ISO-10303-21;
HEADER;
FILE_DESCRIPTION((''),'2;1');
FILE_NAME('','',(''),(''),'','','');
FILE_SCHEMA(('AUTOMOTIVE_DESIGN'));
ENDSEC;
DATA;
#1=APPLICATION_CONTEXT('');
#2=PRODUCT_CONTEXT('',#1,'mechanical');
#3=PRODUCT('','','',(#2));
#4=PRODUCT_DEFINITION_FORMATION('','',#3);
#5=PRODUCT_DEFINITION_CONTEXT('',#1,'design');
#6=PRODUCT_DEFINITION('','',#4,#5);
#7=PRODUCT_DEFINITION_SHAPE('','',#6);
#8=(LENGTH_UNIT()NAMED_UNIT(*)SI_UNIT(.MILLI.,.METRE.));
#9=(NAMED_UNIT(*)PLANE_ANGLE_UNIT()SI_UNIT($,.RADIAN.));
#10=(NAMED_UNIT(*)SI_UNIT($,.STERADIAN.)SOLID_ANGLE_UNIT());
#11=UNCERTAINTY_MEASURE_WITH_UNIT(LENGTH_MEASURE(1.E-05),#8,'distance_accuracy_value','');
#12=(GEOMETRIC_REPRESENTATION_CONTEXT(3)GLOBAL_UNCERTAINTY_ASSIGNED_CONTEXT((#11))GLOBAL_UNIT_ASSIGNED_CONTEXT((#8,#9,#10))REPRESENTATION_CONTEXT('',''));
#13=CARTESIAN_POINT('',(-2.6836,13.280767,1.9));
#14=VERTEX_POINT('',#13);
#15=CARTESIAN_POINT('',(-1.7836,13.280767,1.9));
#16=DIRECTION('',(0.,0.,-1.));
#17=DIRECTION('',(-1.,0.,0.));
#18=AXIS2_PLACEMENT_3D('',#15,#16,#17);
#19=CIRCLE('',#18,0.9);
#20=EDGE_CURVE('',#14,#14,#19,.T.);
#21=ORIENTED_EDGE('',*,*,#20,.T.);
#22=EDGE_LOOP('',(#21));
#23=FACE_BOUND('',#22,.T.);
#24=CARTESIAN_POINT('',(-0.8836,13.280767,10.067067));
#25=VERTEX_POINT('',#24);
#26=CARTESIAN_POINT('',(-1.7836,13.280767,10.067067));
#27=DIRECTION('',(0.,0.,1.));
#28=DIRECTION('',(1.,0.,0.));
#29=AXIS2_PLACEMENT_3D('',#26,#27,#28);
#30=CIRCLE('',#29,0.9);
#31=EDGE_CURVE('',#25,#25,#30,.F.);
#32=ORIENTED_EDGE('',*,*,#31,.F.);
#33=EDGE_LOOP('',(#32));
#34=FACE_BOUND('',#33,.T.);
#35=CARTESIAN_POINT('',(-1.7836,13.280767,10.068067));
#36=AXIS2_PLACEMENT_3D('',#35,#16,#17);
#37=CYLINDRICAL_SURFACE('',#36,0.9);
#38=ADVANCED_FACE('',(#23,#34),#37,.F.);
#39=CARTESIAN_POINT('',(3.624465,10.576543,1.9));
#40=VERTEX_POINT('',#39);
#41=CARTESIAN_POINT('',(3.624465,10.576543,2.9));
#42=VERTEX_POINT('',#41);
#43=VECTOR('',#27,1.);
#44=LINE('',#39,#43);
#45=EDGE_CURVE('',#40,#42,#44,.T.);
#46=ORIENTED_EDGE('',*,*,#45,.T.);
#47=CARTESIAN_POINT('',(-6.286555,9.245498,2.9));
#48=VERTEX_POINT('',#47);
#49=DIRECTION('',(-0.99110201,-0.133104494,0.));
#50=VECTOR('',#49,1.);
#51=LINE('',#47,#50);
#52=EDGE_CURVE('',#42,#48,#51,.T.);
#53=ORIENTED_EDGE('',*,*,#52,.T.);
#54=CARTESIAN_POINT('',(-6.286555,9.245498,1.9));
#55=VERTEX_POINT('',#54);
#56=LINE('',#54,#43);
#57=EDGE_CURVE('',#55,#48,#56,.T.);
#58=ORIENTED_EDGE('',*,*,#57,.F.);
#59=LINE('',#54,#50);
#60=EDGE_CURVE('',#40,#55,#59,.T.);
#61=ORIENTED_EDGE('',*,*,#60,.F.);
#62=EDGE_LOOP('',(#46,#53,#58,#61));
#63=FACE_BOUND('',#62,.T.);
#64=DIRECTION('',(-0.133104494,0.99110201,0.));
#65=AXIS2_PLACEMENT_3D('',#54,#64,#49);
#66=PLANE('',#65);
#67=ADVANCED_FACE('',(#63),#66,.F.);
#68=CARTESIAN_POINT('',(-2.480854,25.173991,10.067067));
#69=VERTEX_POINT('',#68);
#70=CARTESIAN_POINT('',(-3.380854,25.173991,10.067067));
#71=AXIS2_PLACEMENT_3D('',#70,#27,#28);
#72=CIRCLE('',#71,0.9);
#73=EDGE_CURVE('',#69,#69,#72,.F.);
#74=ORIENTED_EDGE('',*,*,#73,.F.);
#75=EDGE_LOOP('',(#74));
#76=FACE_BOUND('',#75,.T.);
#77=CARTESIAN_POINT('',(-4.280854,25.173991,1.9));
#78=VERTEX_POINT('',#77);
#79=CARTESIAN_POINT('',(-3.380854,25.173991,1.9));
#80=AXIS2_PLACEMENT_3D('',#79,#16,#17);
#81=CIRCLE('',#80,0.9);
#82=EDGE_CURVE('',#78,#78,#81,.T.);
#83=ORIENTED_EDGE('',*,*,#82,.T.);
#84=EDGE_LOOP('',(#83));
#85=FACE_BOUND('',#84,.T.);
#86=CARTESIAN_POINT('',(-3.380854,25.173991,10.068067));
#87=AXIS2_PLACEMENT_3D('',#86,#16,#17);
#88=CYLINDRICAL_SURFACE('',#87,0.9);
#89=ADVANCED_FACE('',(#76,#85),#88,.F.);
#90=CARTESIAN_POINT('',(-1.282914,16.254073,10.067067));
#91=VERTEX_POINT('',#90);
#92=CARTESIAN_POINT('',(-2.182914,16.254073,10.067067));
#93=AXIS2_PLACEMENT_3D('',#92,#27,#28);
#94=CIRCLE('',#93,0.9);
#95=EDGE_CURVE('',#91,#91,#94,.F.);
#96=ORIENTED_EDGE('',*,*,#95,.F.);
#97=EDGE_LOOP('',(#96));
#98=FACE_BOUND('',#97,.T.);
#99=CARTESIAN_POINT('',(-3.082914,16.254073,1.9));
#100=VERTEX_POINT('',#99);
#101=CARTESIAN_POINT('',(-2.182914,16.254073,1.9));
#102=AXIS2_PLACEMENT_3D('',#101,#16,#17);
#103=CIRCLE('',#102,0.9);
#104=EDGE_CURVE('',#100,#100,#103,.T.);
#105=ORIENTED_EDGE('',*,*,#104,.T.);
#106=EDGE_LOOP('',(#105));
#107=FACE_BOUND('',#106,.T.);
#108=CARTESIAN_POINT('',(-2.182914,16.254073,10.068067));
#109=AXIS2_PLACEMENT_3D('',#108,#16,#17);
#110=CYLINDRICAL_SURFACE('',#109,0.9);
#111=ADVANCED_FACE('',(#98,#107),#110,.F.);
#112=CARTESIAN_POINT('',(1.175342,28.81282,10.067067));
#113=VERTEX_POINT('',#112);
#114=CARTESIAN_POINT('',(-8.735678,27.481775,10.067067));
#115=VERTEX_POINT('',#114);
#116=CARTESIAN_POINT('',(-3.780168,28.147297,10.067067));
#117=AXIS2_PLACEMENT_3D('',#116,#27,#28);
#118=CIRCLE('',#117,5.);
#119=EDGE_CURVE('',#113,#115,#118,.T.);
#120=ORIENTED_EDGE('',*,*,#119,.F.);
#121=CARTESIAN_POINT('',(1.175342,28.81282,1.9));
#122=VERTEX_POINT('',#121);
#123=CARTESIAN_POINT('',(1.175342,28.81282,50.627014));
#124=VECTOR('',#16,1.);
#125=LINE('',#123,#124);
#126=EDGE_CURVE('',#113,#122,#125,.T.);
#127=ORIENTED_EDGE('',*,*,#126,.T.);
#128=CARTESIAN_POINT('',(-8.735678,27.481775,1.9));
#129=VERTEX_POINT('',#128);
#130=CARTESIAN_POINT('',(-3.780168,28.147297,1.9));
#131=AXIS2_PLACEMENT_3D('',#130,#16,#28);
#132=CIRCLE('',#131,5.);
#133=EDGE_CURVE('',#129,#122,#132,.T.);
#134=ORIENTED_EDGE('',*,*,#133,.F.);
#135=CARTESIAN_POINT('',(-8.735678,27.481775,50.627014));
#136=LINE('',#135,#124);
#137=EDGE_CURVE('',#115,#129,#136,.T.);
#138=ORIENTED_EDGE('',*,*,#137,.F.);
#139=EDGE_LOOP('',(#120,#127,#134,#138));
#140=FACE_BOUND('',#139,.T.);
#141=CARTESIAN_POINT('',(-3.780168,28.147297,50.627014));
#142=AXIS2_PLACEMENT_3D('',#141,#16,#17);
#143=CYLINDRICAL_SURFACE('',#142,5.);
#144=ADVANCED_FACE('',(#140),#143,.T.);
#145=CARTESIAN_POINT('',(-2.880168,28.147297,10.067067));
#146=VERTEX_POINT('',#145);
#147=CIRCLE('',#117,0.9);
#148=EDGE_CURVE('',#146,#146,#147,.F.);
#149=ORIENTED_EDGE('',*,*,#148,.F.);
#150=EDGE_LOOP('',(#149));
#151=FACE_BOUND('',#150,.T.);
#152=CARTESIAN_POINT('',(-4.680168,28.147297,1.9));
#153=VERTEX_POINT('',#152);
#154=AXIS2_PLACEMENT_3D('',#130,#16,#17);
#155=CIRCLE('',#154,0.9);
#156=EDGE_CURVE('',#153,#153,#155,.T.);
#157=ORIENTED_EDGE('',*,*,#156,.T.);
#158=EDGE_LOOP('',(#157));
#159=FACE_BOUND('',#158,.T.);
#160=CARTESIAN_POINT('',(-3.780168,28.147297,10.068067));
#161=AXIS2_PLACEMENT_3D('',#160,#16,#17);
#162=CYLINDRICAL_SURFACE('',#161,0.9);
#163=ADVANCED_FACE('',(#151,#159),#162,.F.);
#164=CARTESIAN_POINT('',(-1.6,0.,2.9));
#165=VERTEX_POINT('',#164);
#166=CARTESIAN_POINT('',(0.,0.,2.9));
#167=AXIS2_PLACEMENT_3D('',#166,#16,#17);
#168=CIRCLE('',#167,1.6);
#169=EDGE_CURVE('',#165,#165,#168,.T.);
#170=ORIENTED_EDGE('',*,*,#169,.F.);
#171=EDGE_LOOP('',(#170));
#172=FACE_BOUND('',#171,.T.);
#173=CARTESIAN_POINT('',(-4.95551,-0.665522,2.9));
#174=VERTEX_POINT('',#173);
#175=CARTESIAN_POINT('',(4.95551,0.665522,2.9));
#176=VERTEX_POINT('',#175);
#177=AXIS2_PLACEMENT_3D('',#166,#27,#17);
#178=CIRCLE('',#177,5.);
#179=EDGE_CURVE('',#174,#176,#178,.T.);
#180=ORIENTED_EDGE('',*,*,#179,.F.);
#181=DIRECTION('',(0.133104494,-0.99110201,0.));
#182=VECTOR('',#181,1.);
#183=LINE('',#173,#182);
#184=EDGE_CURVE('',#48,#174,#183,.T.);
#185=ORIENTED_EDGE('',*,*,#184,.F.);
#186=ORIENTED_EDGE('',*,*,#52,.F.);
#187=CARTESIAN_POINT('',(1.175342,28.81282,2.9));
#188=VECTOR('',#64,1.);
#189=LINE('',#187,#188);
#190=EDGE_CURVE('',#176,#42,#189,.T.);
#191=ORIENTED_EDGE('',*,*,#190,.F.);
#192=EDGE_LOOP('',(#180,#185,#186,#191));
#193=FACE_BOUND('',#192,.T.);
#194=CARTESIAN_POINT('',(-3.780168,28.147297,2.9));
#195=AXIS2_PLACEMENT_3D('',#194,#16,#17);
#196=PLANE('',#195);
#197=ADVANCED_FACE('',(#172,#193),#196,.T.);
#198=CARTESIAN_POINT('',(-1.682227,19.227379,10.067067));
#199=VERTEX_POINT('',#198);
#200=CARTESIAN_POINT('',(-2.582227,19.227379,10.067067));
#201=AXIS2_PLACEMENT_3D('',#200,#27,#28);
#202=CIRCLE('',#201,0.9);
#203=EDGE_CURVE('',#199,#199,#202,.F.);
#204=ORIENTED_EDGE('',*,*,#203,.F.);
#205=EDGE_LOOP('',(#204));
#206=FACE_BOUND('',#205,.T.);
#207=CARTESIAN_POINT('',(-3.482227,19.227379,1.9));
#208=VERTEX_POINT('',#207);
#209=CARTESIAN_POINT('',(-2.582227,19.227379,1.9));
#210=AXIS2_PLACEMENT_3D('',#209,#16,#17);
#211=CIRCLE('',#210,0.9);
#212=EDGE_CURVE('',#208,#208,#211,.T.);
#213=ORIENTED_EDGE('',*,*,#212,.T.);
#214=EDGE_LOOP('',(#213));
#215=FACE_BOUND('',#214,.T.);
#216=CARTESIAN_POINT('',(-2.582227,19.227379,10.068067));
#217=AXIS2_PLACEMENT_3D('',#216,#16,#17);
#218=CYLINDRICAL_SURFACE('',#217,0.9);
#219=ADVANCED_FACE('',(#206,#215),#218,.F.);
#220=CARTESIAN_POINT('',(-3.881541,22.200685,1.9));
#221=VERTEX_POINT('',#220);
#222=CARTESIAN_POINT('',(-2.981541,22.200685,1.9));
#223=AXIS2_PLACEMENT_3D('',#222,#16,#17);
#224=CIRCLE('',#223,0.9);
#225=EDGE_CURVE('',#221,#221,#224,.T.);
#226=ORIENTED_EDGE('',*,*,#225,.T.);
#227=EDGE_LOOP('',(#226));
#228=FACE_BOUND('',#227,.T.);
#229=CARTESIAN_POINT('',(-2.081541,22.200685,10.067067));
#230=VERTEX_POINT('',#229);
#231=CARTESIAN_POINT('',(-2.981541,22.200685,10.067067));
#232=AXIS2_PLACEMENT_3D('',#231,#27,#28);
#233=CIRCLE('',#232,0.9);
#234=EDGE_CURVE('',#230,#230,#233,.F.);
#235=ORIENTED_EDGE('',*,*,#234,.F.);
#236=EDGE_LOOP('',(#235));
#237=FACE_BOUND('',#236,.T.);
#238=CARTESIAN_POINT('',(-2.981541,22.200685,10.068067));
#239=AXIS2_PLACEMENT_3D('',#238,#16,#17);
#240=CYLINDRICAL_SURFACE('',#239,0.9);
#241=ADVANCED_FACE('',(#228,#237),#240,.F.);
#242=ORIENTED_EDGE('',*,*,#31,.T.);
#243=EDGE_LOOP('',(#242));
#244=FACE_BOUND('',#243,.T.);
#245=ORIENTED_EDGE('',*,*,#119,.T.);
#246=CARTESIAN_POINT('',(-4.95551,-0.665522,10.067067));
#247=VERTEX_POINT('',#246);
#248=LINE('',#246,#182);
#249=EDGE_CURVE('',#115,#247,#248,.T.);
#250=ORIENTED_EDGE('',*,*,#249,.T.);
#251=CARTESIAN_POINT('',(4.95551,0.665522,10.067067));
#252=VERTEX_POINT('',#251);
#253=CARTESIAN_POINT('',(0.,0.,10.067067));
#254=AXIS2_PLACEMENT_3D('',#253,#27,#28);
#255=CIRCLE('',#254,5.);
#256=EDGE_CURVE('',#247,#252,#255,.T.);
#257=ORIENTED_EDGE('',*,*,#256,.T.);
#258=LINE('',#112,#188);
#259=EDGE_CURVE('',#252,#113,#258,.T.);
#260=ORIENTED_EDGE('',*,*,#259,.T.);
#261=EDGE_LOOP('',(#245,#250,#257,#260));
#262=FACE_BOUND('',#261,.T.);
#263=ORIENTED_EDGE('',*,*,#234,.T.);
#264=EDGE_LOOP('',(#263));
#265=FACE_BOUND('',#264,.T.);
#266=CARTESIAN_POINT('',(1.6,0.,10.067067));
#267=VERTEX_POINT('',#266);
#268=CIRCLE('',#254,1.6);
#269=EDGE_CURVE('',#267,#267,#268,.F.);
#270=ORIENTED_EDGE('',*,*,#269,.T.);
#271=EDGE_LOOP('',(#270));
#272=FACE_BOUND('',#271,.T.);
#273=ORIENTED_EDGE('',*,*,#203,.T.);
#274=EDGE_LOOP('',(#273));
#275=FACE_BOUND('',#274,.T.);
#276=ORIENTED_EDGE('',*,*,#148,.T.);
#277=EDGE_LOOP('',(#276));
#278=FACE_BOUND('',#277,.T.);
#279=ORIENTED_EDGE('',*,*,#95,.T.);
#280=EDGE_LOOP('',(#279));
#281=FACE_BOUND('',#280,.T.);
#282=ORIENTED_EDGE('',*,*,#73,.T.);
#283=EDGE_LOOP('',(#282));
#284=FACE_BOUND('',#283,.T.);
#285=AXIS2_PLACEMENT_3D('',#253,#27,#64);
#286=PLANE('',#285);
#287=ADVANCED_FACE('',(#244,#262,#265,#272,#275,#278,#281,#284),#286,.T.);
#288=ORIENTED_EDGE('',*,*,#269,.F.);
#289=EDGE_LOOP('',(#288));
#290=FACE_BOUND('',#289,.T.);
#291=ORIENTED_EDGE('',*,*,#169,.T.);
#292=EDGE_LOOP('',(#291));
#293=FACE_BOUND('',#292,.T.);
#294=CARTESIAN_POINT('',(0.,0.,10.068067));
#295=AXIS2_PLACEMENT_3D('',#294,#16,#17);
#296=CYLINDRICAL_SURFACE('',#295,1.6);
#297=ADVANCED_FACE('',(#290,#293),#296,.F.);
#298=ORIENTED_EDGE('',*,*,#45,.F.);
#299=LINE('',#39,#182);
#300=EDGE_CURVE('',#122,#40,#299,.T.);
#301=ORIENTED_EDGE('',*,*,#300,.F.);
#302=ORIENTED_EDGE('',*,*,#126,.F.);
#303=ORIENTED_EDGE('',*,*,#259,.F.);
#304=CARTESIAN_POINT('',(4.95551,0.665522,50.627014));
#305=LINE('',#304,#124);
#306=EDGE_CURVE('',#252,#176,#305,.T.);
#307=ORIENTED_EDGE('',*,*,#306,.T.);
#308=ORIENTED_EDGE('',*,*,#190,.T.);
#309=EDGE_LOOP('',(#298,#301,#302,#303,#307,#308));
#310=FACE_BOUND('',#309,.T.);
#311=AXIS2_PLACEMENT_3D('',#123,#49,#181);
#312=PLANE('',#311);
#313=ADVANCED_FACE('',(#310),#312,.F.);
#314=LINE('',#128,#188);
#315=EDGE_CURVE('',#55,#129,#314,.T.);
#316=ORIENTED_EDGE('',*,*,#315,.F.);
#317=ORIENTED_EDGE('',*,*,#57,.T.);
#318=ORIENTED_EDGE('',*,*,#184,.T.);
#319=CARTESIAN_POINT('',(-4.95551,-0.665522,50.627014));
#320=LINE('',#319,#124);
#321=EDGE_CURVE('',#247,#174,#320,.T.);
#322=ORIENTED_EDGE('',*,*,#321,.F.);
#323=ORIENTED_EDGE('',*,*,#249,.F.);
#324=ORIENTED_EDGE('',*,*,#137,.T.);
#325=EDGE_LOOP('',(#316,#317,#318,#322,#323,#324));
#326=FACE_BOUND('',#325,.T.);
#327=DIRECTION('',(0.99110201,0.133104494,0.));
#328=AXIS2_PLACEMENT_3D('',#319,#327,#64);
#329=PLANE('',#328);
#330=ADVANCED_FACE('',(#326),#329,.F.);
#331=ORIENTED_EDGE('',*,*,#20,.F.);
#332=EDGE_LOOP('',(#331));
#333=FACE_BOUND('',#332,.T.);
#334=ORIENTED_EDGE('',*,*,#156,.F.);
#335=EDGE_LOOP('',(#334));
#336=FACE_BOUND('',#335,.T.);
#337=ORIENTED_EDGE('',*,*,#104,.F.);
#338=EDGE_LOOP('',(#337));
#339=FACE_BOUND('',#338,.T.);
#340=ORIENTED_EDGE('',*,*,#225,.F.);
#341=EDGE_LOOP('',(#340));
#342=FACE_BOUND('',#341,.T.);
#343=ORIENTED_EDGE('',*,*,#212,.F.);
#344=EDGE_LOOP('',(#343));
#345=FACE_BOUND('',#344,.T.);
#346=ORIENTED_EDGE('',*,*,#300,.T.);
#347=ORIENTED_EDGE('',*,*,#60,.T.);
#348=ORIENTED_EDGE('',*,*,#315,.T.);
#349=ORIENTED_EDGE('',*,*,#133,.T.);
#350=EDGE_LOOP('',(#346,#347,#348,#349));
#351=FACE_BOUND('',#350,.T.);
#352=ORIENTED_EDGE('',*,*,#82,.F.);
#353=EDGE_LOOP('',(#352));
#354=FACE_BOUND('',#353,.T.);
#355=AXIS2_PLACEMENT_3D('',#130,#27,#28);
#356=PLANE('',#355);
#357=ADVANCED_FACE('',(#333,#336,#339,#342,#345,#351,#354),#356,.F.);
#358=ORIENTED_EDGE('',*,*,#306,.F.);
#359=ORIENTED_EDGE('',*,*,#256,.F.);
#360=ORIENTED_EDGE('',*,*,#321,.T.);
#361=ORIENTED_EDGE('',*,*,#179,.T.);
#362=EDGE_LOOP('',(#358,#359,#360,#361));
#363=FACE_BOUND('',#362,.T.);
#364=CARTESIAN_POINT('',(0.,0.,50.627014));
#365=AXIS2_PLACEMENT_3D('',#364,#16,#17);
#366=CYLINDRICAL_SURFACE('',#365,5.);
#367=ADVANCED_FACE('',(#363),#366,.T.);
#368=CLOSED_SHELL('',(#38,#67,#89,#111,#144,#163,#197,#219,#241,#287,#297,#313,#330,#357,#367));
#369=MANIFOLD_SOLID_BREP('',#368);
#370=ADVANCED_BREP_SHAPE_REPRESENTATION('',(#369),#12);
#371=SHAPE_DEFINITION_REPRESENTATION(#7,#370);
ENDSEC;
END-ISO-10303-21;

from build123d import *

# Parameters (mm, degrees)
BOSS_EXTRUDE1_START = 2.9
BOSS_EXTRUDE1_DEPTH = 7.167067
BOSS_EXTRUDE2_DEPTH = 1
CUT_EXTRUDE1_REACH  = 10.167
SKETCH3_R           = 0.9
CUT_EXTRUDE2_REACH  = 9.167
SKETCH4_R           = 1.6


with BuildPart() as part:
    # Sketch1 → Boss-Extrude1 (new body)
    with BuildSketch(Plane.XY.offset(BOSS_EXTRUDE1_START)):
        with BuildLine():
            Line((-4.955510048, -0.665522472), (-8.73567769, 27.481774602))
            ThreePointArc((-8.73567769, 27.481774602), (-4.445690114, 33.102807123), (1.175342406, 28.812819547))
            Line((1.175342406, 28.812819547), (4.955510048, 0.665522472))
            ThreePointArc((4.955510048, 0.665522472), (0.665522472, -4.955510048), (-4.955510048, -0.665522472))
        make_face()
    extrude(amount=BOSS_EXTRUDE1_DEPTH)

    # Sketch2 → Boss-Extrude2 (add)
    with BuildSketch(Plane(origin=(0, 0, 2.9), x_dir=(-1, 0, 0), z_dir=(0, 0, -1))):
        with BuildLine():
            Line((-3.624465104, 10.576542569), (-1.175342406, 28.812819547))
            ThreePointArc((-1.175342406, 28.812819547), (4.445690114, 33.102807123), (8.73567769, 27.481774602))
            Line((8.73567769, 27.481774602), (6.286554993, 9.245497624))
            Line((6.286554993, 9.245497624), (-3.624465104, 10.576542569))
        make_face()
    extrude(amount=BOSS_EXTRUDE2_DEPTH)

    # Sketch3 → Cut-Extrude1 (cut, up to next)
    with BuildSketch(Plane(origin=(0, 0, 1.9), x_dir=(-1, 0, 0), z_dir=(0, 0, -1)), mode=Mode.PRIVATE) as cut_extrude1_sk1:
        with Locations((3.780167642, 28.147297074)):
            Circle(SKETCH3_R)
    cut_extrude1_tool1 = extrude(cut_extrude1_sk1.sketch, amount=-CUT_EXTRUDE1_REACH, mode=Mode.PRIVATE) & part.part
    add(cut_extrude1_tool1.solids().sort_by_distance((-3.780168, 28.147297, 1.9))[0], mode=Mode.SUBTRACT)
    # Sketch3 → Cut-Extrude1 (cut, up to next)
    with BuildSketch(Plane(origin=(0, 0, 1.9), x_dir=(-1, 0, 0), z_dir=(0, 0, -1)), mode=Mode.PRIVATE) as cut_extrude1_sk2:
        with Locations((3.380854159, 25.173991045)):
            Circle(SKETCH3_R)
    cut_extrude1_tool2 = extrude(cut_extrude1_sk2.sketch, amount=-CUT_EXTRUDE1_REACH, mode=Mode.PRIVATE) & part.part
    add(cut_extrude1_tool2.solids().sort_by_distance((-3.380854, 25.173991, 1.9))[0], mode=Mode.SUBTRACT)
    # Sketch3 → Cut-Extrude1 (cut, up to next)
    with BuildSketch(Plane(origin=(0, 0, 1.9), x_dir=(-1, 0, 0), z_dir=(0, 0, -1)), mode=Mode.PRIVATE) as cut_extrude1_sk3:
        with Locations((2.981540675, 22.200685016)):
            Circle(SKETCH3_R)
    cut_extrude1_tool3 = extrude(cut_extrude1_sk3.sketch, amount=-CUT_EXTRUDE1_REACH, mode=Mode.PRIVATE) & part.part
    add(cut_extrude1_tool3.solids().sort_by_distance((-2.981541, 22.200685, 1.9))[0], mode=Mode.SUBTRACT)
    # Sketch3 → Cut-Extrude1 (cut, up to next)
    with BuildSketch(Plane(origin=(0, 0, 1.9), x_dir=(-1, 0, 0), z_dir=(0, 0, -1)), mode=Mode.PRIVATE) as cut_extrude1_sk4:
        with Locations((2.582227192, 19.227378987)):
            Circle(SKETCH3_R)
    cut_extrude1_tool4 = extrude(cut_extrude1_sk4.sketch, amount=-CUT_EXTRUDE1_REACH, mode=Mode.PRIVATE) & part.part
    add(cut_extrude1_tool4.solids().sort_by_distance((-2.582227, 19.227379, 1.9))[0], mode=Mode.SUBTRACT)
    # Sketch3 → Cut-Extrude1 (cut, up to next)
    with BuildSketch(Plane(origin=(0, 0, 1.9), x_dir=(-1, 0, 0), z_dir=(0, 0, -1)), mode=Mode.PRIVATE) as cut_extrude1_sk5:
        with Locations((2.182913709, 16.254072958)):
            Circle(SKETCH3_R)
    cut_extrude1_tool5 = extrude(cut_extrude1_sk5.sketch, amount=-CUT_EXTRUDE1_REACH, mode=Mode.PRIVATE) & part.part
    add(cut_extrude1_tool5.solids().sort_by_distance((-2.182914, 16.254073, 1.9))[0], mode=Mode.SUBTRACT)
    # Sketch3 → Cut-Extrude1 (cut, up to next)
    with BuildSketch(Plane(origin=(0, 0, 1.9), x_dir=(-1, 0, 0), z_dir=(0, 0, -1)), mode=Mode.PRIVATE) as cut_extrude1_sk6:
        with Locations((1.783600226, 13.280766929)):
            Circle(SKETCH3_R)
    cut_extrude1_tool6 = extrude(cut_extrude1_sk6.sketch, amount=-CUT_EXTRUDE1_REACH, mode=Mode.PRIVATE) & part.part
    add(cut_extrude1_tool6.solids().sort_by_distance((-1.7836, 13.280767, 1.9))[0], mode=Mode.SUBTRACT)

    # Sketch4 → Cut-Extrude2 (cut, up to next)
    with BuildSketch(Plane(origin=(0, 0, 2.9), x_dir=(-1, 0, 0), z_dir=(0, 0, -1)), mode=Mode.PRIVATE) as cut_extrude2_sk1:
        Circle(SKETCH4_R)
    cut_extrude2_tool1 = extrude(cut_extrude2_sk1.sketch, amount=-CUT_EXTRUDE2_REACH, mode=Mode.PRIVATE) & part.part
    add(cut_extrude2_tool1.solids().sort_by_distance((0, 0, 2.9))[0], mode=Mode.SUBTRACT)


solid = part.part
